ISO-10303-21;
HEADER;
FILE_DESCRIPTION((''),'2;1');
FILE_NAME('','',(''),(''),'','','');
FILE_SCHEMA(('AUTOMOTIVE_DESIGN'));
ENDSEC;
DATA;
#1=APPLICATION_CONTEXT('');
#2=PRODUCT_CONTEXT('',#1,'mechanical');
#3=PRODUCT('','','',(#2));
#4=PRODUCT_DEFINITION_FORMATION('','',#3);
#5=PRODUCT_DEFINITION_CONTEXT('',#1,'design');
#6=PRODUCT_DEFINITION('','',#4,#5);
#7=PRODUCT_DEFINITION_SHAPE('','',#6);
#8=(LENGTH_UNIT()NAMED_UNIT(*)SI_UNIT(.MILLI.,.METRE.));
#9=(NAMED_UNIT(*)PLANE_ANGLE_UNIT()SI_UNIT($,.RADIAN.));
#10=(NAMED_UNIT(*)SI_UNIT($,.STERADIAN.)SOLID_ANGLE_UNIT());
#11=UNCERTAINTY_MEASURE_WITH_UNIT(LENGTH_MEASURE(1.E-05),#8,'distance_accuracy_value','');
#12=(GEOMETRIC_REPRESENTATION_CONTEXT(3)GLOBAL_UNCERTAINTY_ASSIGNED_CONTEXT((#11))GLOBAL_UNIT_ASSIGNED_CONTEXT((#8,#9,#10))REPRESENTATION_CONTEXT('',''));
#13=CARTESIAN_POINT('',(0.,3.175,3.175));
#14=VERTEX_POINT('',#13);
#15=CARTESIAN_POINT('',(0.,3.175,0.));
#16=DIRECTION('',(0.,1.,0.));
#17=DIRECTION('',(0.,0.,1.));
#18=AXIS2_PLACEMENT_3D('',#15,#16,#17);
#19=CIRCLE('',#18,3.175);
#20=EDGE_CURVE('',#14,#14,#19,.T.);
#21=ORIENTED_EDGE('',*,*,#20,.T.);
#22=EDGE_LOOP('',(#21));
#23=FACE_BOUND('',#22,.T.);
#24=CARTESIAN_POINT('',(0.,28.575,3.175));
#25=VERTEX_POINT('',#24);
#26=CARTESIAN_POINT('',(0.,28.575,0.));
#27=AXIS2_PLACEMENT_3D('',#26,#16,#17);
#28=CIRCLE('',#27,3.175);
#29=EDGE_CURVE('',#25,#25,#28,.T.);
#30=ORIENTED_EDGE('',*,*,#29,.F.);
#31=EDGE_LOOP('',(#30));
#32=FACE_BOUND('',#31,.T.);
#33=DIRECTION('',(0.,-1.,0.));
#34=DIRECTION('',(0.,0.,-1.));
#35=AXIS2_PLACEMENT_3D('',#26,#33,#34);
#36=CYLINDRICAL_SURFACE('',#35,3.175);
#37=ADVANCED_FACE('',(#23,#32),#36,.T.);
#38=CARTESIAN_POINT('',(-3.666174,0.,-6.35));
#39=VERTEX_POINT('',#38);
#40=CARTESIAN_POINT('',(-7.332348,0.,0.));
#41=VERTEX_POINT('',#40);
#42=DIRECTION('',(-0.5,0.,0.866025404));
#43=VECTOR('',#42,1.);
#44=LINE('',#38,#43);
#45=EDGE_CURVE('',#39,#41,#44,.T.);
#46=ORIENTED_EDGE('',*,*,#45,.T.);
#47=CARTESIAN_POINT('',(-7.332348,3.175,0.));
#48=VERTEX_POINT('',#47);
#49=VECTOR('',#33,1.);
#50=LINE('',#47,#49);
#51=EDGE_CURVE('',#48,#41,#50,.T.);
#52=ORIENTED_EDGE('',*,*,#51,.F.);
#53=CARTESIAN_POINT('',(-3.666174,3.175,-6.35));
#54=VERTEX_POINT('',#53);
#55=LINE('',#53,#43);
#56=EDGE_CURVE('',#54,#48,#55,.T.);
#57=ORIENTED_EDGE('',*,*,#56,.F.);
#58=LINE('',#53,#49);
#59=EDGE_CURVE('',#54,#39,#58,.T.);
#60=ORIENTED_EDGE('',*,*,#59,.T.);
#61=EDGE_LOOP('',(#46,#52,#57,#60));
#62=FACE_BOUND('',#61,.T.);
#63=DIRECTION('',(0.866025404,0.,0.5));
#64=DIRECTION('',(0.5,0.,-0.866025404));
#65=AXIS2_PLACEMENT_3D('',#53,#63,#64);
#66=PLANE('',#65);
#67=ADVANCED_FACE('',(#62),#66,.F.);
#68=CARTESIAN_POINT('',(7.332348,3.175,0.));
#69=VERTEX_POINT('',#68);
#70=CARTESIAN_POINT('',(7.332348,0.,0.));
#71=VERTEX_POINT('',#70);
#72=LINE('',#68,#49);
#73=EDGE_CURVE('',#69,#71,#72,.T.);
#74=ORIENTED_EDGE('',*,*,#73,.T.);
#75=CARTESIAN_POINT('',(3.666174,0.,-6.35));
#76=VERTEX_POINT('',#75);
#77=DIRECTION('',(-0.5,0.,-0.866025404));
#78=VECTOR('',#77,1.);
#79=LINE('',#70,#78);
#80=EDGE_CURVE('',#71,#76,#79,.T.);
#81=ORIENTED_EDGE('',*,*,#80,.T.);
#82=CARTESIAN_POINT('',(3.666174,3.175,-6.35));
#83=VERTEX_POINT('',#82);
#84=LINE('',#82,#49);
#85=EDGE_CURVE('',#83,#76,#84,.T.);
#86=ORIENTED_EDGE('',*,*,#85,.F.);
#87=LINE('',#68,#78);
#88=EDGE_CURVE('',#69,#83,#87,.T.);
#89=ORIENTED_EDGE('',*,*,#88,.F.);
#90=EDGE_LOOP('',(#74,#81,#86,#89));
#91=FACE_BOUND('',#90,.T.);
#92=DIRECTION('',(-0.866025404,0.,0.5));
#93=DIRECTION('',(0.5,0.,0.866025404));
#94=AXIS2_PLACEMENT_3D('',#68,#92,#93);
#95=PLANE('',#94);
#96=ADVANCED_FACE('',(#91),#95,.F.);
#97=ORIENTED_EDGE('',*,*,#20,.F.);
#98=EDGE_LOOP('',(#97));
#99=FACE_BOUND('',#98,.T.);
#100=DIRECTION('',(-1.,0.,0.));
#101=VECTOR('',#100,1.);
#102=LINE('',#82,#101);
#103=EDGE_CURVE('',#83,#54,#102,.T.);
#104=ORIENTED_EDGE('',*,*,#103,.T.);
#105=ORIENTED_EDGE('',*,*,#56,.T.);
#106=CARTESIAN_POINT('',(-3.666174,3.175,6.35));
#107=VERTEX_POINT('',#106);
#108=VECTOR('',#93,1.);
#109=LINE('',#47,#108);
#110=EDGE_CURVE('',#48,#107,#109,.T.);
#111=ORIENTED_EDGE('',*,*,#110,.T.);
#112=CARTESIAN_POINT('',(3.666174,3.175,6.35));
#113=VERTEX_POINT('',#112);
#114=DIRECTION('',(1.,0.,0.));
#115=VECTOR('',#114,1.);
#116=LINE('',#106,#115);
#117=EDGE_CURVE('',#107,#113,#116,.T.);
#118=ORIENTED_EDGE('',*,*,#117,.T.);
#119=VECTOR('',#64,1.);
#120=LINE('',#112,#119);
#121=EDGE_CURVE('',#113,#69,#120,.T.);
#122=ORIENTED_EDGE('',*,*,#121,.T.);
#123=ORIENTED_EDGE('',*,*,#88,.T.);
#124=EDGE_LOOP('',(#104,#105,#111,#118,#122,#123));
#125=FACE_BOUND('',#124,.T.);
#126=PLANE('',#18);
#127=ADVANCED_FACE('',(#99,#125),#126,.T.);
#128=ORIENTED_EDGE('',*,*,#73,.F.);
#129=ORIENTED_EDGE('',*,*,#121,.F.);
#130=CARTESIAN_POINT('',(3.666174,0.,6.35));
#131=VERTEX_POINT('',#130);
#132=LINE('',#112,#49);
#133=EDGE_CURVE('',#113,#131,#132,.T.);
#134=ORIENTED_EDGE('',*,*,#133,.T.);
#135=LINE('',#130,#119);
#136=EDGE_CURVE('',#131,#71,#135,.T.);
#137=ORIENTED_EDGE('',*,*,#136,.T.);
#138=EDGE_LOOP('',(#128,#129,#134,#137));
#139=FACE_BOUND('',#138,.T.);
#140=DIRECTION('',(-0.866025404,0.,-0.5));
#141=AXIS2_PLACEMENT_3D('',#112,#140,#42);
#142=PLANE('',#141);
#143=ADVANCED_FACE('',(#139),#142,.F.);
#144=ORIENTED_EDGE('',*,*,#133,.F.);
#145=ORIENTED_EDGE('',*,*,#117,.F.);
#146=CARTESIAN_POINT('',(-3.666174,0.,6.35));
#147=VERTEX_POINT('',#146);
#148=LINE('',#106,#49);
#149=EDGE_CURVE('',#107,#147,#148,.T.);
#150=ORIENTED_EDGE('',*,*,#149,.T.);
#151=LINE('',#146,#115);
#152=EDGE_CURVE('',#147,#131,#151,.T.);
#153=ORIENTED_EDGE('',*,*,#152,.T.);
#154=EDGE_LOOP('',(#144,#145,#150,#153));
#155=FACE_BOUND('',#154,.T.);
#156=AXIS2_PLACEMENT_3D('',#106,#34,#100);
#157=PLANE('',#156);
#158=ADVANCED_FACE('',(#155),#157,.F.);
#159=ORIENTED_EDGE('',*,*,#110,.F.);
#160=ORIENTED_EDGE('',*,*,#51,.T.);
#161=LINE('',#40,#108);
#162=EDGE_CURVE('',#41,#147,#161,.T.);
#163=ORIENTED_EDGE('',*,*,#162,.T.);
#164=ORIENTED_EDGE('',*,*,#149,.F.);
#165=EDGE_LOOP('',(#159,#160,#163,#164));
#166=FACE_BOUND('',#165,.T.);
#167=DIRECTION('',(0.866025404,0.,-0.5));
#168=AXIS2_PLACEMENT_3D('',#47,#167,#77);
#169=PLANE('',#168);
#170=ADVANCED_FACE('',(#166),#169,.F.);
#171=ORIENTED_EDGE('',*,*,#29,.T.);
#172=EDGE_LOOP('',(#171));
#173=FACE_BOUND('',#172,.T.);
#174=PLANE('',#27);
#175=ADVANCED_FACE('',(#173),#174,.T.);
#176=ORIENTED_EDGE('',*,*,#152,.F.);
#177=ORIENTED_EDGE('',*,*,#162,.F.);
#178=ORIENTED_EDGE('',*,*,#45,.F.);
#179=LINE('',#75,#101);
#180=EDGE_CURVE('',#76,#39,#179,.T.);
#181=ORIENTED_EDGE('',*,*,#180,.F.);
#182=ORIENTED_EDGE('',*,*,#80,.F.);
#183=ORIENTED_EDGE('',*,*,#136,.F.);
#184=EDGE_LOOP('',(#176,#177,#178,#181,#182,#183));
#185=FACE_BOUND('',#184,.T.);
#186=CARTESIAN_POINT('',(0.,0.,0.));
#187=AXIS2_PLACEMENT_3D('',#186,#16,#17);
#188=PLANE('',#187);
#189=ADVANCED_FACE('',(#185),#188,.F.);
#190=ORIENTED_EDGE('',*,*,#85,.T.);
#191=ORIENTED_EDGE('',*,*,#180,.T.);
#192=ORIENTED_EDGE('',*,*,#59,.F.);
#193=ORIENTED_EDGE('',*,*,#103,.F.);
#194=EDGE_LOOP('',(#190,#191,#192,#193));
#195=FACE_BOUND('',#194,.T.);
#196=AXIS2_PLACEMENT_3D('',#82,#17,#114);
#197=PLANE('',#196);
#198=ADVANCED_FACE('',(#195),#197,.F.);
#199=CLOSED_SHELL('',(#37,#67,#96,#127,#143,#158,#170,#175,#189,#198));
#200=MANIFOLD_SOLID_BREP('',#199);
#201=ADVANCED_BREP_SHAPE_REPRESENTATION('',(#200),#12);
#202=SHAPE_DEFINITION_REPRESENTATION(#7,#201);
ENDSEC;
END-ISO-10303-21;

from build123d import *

# Parameters (mm, degrees)
BOSS_EXTRUDE1_DEPTH = 3.175
SKETCH2_R           = 3.175
BOSS_EXTRUDE2_DEPTH = 25.4


with BuildPart() as part:
    # Sketch1 → Boss-Extrude1 (new body)
    with BuildSketch(Plane(origin=(0, 0, 0), x_dir=(1, 0, 0), z_dir=(0, 1, 0))):
        Polygon((3.666174209, 6.35), (-3.666174209, 6.35), (-7.332348419, 0), (-3.666174209, -6.35), (3.666174209, -6.35), (7.332348419, 0), align=None)
    extrude(amount=BOSS_EXTRUDE1_DEPTH)

    # Sketch2 → Boss-Extrude2 (add)
    with BuildSketch(Plane(origin=(0, 3.175, 0), x_dir=(1, 0, 0), z_dir=(0, 1, 0))):
        Circle(SKETCH2_R)
    extrude(amount=BOSS_EXTRUDE2_DEPTH)


solid = part.part
